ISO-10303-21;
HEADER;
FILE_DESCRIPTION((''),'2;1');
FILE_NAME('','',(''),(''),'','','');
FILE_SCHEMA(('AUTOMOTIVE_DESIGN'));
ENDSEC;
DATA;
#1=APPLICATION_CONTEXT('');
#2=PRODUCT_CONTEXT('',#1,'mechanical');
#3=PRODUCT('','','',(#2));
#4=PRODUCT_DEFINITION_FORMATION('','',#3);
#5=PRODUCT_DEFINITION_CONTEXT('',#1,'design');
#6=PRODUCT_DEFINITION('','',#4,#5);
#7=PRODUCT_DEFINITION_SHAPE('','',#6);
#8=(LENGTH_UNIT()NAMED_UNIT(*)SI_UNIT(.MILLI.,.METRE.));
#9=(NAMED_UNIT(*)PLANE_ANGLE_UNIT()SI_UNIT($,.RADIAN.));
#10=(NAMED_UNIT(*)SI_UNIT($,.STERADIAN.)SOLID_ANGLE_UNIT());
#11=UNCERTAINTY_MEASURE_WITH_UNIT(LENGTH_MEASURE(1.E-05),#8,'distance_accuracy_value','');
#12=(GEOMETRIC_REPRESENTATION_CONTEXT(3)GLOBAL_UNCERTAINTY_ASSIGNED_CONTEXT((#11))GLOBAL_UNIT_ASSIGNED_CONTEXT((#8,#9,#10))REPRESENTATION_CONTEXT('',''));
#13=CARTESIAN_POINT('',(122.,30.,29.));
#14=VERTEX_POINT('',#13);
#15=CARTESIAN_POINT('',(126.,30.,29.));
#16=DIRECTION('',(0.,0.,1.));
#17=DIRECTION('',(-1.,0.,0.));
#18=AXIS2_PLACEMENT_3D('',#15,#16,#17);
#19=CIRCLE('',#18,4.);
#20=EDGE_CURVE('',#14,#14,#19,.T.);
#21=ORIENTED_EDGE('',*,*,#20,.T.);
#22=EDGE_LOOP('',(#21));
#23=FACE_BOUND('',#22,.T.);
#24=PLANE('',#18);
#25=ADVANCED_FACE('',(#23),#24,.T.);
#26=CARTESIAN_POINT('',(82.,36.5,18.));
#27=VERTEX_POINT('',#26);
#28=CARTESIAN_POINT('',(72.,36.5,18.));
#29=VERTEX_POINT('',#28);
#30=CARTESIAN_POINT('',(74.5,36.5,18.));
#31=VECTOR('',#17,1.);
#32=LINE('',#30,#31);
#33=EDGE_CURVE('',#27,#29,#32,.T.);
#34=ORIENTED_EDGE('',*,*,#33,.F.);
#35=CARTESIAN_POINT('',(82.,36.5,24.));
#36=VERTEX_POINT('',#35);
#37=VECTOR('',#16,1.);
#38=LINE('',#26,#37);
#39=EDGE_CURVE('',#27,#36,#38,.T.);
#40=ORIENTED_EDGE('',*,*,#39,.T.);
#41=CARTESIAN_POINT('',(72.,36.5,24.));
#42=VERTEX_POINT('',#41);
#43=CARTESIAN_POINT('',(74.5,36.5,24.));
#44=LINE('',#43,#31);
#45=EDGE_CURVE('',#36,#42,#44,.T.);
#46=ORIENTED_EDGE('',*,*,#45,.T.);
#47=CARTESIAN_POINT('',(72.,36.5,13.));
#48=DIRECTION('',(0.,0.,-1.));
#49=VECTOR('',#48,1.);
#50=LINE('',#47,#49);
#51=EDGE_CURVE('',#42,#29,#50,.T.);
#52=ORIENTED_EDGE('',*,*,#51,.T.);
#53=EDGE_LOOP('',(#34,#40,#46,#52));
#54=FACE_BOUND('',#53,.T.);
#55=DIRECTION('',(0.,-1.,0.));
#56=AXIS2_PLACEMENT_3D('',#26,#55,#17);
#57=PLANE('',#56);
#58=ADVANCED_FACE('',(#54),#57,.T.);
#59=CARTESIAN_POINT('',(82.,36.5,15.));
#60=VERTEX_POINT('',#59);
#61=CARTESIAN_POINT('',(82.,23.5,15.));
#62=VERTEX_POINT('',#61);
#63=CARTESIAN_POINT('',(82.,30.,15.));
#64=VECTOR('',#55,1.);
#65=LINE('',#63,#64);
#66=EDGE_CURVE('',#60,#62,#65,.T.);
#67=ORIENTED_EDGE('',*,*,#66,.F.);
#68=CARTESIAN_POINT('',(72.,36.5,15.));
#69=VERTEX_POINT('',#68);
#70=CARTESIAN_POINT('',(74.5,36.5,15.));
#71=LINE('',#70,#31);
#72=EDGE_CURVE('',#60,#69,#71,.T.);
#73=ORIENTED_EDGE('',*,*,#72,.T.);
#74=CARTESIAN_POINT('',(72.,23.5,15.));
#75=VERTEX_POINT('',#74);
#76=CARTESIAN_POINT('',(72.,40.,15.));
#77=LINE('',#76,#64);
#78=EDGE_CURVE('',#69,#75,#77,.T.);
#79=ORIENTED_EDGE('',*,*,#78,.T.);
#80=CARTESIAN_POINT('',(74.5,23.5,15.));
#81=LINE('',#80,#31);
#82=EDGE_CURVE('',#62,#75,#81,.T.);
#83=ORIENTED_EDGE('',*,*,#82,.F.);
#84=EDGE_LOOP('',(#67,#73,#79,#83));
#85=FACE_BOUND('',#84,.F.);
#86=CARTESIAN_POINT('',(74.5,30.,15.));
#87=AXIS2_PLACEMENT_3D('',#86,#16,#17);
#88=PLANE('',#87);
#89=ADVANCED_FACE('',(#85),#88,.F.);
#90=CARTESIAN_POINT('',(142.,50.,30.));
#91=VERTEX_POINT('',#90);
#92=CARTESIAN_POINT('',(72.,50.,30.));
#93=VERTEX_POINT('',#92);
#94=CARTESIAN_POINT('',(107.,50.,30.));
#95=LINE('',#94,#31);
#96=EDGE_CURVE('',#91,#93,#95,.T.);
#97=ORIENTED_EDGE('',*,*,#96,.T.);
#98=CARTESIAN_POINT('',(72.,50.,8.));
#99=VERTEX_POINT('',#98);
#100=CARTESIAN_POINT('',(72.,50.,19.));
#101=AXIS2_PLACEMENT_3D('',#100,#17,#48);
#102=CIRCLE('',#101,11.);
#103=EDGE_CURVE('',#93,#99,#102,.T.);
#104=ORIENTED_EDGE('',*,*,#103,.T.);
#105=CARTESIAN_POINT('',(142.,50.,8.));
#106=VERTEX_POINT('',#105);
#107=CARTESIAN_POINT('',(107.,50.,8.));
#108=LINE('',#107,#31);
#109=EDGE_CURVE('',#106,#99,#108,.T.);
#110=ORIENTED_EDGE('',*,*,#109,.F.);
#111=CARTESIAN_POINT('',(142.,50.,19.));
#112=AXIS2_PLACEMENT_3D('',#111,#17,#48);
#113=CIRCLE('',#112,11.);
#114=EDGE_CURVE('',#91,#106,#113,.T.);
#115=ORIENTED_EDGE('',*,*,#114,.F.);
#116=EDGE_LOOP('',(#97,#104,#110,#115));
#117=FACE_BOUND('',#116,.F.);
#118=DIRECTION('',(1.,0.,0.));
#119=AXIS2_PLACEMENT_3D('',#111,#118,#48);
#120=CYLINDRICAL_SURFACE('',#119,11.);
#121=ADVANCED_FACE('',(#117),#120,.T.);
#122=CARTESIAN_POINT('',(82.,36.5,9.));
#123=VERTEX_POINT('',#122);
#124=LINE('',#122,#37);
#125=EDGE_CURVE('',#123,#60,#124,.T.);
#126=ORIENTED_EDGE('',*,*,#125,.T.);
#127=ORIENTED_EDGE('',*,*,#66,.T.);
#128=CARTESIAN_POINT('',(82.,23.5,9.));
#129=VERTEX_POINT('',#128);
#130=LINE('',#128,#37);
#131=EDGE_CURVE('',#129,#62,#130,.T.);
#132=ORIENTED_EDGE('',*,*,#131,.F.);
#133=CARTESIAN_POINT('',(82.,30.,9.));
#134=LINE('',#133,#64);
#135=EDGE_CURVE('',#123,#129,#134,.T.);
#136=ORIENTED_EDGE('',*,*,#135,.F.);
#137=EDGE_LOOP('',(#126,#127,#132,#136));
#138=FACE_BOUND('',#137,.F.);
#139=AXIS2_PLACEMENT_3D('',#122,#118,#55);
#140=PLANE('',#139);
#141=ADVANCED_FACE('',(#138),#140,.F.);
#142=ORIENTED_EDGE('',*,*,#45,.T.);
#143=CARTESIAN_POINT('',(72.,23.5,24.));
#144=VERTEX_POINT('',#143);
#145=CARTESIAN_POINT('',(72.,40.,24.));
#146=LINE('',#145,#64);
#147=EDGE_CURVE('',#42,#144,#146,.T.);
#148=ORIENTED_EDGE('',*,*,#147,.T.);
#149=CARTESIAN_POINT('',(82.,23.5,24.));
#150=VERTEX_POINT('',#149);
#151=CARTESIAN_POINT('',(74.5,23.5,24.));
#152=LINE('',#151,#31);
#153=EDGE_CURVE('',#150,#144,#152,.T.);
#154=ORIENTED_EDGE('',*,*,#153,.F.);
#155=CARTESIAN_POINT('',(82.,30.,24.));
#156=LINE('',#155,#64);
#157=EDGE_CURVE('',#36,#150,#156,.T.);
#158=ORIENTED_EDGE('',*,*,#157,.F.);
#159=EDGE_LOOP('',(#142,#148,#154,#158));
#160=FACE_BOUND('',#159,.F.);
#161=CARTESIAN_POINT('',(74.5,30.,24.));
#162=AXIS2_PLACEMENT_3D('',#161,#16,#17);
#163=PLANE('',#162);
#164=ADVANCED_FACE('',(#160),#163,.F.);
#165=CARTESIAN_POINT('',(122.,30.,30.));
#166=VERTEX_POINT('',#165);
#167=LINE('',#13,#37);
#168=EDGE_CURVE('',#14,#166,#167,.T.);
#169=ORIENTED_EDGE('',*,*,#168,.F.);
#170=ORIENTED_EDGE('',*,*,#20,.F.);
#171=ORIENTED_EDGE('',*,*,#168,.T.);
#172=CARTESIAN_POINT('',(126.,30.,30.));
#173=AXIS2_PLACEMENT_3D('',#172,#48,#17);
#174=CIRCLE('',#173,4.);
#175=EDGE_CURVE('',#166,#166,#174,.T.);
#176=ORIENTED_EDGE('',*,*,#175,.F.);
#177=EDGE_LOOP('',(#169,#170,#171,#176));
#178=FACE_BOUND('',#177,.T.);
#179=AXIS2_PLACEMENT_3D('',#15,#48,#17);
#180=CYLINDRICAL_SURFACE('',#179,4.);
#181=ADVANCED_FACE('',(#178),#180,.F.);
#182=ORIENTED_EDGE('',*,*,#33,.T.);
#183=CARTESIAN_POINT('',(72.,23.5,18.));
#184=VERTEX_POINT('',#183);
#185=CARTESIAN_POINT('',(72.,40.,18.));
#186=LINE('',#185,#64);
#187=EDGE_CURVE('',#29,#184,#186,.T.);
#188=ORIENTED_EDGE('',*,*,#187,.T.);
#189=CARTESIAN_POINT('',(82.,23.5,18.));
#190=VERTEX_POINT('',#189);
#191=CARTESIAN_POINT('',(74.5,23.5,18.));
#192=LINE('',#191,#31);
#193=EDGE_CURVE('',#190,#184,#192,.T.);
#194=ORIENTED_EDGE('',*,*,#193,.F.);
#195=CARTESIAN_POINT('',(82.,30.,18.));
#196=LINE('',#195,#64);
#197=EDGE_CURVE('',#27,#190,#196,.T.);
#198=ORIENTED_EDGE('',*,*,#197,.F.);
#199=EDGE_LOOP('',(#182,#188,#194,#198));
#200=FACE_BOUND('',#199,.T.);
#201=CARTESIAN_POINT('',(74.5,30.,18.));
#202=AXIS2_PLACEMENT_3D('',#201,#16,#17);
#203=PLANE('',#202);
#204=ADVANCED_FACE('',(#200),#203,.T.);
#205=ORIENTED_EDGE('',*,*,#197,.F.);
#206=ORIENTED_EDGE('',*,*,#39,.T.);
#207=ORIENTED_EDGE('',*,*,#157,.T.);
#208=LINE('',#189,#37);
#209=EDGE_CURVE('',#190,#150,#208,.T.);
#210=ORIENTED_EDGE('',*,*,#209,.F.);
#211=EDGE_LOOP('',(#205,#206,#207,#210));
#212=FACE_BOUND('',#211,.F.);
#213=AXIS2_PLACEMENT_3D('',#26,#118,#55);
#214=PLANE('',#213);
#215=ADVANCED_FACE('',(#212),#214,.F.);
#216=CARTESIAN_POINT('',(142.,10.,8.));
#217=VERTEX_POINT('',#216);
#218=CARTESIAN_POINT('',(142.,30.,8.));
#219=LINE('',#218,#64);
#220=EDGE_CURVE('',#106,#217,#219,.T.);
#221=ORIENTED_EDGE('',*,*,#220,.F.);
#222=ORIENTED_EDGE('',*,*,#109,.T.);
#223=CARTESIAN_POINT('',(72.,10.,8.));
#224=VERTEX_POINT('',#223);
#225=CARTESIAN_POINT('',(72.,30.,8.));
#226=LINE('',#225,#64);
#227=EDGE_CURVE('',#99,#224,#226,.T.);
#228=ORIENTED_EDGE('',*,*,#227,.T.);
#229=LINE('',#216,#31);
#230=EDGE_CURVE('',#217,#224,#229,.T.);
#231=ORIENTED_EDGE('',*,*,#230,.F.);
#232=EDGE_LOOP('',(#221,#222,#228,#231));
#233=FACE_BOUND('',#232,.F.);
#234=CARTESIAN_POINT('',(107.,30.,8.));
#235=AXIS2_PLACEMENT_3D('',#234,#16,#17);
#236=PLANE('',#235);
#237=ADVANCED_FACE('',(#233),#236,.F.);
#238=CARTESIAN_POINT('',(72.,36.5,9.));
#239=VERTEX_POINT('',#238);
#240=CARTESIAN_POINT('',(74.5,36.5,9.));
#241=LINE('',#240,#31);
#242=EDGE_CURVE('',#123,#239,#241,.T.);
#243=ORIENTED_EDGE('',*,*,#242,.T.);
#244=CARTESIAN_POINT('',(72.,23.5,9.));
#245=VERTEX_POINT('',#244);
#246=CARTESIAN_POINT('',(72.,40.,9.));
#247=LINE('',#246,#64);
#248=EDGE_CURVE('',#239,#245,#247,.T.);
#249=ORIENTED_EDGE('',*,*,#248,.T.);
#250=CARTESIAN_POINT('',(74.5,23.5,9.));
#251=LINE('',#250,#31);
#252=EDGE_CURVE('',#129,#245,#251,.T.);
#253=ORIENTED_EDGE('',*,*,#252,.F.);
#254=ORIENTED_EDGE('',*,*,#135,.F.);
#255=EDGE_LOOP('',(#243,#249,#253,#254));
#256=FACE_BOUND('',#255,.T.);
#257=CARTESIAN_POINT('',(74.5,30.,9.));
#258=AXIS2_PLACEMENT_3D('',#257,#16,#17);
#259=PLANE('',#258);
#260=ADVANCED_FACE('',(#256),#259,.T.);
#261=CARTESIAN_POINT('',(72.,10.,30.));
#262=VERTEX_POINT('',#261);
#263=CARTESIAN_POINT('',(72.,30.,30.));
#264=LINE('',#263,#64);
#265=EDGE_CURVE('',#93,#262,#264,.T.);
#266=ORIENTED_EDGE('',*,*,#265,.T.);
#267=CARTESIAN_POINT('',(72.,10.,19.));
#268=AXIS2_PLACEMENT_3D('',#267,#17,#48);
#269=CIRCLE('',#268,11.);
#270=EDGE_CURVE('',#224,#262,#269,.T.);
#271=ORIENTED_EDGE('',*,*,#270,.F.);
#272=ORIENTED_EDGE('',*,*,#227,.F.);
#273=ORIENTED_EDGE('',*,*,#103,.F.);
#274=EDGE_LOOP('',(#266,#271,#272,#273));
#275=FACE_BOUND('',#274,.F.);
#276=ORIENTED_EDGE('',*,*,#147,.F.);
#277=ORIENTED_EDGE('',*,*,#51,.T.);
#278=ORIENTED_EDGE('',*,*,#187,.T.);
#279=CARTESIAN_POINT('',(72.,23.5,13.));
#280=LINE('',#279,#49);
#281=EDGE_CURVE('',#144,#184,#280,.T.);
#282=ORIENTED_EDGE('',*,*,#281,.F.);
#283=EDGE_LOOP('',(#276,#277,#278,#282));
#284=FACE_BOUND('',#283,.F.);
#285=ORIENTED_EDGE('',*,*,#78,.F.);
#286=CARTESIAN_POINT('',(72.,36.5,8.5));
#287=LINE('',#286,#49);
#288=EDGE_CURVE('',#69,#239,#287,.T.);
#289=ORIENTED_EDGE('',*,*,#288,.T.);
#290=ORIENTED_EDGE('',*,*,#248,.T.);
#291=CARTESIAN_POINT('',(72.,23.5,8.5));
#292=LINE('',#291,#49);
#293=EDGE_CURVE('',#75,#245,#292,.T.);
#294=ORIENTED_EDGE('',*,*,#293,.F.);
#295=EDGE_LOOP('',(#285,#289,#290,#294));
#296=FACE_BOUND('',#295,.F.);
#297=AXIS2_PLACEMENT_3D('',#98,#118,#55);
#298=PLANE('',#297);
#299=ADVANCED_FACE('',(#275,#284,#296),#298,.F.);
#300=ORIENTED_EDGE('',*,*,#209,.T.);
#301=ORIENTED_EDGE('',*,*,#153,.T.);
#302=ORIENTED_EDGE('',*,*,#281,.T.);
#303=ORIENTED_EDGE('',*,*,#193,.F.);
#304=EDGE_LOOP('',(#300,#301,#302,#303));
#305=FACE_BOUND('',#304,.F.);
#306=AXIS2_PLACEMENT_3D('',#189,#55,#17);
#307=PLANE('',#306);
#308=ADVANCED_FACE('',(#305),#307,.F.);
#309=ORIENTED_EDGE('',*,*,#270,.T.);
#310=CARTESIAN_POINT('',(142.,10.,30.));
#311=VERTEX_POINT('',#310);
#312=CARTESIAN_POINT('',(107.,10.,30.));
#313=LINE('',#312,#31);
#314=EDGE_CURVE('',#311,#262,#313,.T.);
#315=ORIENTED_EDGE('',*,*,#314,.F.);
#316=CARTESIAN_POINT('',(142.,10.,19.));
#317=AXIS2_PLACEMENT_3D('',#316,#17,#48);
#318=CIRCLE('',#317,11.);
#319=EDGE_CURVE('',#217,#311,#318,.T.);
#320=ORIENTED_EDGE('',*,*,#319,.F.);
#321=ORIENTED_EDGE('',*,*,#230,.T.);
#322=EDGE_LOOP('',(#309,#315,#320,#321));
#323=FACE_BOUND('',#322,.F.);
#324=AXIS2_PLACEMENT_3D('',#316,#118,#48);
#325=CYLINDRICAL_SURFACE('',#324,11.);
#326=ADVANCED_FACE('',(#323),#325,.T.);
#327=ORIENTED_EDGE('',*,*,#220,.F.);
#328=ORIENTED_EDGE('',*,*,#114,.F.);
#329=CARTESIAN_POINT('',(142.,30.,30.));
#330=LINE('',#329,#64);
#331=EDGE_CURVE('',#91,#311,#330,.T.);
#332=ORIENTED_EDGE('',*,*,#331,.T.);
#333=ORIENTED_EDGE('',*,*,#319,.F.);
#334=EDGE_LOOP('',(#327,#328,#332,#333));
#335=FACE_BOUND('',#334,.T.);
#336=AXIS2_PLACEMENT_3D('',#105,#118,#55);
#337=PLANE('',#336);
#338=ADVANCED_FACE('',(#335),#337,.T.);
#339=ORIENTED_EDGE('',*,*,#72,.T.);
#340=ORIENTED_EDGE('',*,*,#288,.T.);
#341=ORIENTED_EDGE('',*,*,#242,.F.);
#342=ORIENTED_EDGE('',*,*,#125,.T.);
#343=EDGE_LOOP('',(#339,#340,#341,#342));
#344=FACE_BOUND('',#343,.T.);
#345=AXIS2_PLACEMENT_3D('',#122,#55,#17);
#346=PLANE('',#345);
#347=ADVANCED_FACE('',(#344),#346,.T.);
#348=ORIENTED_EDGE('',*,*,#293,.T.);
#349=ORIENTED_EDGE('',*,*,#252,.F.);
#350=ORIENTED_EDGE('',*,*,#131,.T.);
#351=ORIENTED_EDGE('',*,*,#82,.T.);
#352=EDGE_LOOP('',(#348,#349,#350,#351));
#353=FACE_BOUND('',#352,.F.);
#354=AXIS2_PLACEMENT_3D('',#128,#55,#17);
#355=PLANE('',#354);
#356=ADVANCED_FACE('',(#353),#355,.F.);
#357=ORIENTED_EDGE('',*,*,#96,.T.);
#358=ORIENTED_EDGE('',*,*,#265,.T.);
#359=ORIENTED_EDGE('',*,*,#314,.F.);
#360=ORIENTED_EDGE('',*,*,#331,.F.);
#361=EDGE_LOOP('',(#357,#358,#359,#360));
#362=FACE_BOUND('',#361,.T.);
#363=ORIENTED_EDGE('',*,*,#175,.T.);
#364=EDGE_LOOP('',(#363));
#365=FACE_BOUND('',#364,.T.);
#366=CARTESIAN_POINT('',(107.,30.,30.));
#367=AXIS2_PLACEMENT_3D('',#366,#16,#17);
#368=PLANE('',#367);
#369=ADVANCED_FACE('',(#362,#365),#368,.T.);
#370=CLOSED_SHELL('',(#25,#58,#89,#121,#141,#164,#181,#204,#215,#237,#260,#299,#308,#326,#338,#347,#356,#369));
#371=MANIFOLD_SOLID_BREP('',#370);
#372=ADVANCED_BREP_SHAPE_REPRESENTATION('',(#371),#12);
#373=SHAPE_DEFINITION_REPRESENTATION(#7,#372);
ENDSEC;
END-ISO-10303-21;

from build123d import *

# Parameters (mm, degrees)
CYLINDER002001001002003_R           = 4
CYLINDER002001001002003_DEPTH       = 2
BOX001002001003003_W                = 15
BOX001002001003003_H                = 13
BOX001002001003003_DEPTH            = 6
BOX001001001_W                      = 15
BOX001001001_H                      = 13
BOX001001001_DEPTH                  = 6
BOX001002001003002_W                = 70
BOX001002001003002_H                = 40
BOX001002001003002_DEPTH            = 22
CYLINDER002001001002002_R           = 11
CYLINDER002001001002002_DEPTH       = 70
CYLINDER002001001002002_PITCH_ANGLE = 90
CYLINDER001_R                       = 11
CYLINDER001_DEPTH                   = 70
CYLINDER001_PITCH_ANGLE             = 90
CUT_PLACEMENT_ANGLE                 = 180


with BuildPart() as powerbutton:
    # Cylinder002001001002003 → Cylinder002001001002003 (new body)
    with BuildSketch(Plane(origin=(16, 20, 10), x_dir=(1, 0, 0), z_dir=(0, 0, 1))):
        Circle(CYLINDER002001001002003_R)
    extrude(amount=CYLINDER002001001002003_DEPTH)


with BuildPart() as usb1:
    # Box001002001003003 → Box001002001003003 (new body)
    with BuildSketch(Plane(origin=(60, 13.5, -1), x_dir=(1, 0, 0), z_dir=(0, 0, 1))):
        with Locations((7.5, 6.5)):
            Rectangle(BOX001002001003003_W, BOX001002001003003_H)
    extrude(amount=BOX001002001003003_DEPTH)


with BuildPart() as fusion001001:
    # Box001001001 → Box001001001 (new body)
    with BuildSketch(Plane(origin=(60, 13.5, -10), x_dir=(1, 0, 0), z_dir=(0, 0, 1))):
        with Locations((7.5, 6.5)):
            Rectangle(BOX001001001_W, BOX001001001_H)
    extrude(amount=BOX001001001_DEPTH)

    # Fusion001001: union PowerButton, USB1
    add(powerbutton.part)
    add(usb1.part)


with BuildPart() as box001002001003002:
    # Box001002001003002 → Box001002001003002 (new body)
    with BuildSketch(Plane.XY.offset(-11)):
        with Locations((35, 20)):
            Rectangle(BOX001002001003002_W, BOX001002001003002_H)
    extrude(amount=BOX001002001003002_DEPTH)


with BuildPart() as cylinder002001001002002:
    # Cylinder002001001002002 → Cylinder002001001002002 (new body)
    with BuildSketch(Plane.XY):
        Circle(CYLINDER002001001002002_R)
    extrude(amount=CYLINDER002001001002002_DEPTH)


with BuildPart() as cylinder002001001002002_1:
    # Cylinder002001001002002 pitch: moved
    add(cylinder002001001002002.part.rotate(Axis((0, 0, 0), (0, 1, 0)), CYLINDER002001001002002_PITCH_ANGLE))


with BuildPart() as cylinder002001001002002_2:
    # Cylinder002001001002002 placement: moved
    add(cylinder002001001002002_1.part)


with BuildPart() as eneloop:
    # Cylinder001 → Cylinder001 (new body)
    with BuildSketch(Plane.XY):
        Circle(CYLINDER001_R)
    extrude(amount=CYLINDER001_DEPTH)


with BuildPart() as eneloop_1:
    # Cylinder001 pitch: moved
    add(eneloop.part.rotate(Axis((0, 0, 0), (0, 1, 0)), CYLINDER001_PITCH_ANGLE))


with BuildPart() as eneloop_2:
    # Cylinder001 placement: moved
    add(eneloop_1.part.moved(Location((0, 40, 0))))

    # Fusion002001002002002001002: union Box001002001003002, Cylinder002001001002002
    add(box001002001003002.part)
    add(cylinder002001001002002_2.part)

    # Cut: cut Fusion001001
    add(fusion001001.part, mode=Mode.SUBTRACT)


with BuildPart() as eneloop_3:
    # Cut placement: moved
    add(eneloop_2.part.moved(Location((142, 50, 19))).rotate(Axis((142, 50, 19), (0, 0, 1)), CUT_PLACEMENT_ANGLE))


solid = eneloop_3.part
